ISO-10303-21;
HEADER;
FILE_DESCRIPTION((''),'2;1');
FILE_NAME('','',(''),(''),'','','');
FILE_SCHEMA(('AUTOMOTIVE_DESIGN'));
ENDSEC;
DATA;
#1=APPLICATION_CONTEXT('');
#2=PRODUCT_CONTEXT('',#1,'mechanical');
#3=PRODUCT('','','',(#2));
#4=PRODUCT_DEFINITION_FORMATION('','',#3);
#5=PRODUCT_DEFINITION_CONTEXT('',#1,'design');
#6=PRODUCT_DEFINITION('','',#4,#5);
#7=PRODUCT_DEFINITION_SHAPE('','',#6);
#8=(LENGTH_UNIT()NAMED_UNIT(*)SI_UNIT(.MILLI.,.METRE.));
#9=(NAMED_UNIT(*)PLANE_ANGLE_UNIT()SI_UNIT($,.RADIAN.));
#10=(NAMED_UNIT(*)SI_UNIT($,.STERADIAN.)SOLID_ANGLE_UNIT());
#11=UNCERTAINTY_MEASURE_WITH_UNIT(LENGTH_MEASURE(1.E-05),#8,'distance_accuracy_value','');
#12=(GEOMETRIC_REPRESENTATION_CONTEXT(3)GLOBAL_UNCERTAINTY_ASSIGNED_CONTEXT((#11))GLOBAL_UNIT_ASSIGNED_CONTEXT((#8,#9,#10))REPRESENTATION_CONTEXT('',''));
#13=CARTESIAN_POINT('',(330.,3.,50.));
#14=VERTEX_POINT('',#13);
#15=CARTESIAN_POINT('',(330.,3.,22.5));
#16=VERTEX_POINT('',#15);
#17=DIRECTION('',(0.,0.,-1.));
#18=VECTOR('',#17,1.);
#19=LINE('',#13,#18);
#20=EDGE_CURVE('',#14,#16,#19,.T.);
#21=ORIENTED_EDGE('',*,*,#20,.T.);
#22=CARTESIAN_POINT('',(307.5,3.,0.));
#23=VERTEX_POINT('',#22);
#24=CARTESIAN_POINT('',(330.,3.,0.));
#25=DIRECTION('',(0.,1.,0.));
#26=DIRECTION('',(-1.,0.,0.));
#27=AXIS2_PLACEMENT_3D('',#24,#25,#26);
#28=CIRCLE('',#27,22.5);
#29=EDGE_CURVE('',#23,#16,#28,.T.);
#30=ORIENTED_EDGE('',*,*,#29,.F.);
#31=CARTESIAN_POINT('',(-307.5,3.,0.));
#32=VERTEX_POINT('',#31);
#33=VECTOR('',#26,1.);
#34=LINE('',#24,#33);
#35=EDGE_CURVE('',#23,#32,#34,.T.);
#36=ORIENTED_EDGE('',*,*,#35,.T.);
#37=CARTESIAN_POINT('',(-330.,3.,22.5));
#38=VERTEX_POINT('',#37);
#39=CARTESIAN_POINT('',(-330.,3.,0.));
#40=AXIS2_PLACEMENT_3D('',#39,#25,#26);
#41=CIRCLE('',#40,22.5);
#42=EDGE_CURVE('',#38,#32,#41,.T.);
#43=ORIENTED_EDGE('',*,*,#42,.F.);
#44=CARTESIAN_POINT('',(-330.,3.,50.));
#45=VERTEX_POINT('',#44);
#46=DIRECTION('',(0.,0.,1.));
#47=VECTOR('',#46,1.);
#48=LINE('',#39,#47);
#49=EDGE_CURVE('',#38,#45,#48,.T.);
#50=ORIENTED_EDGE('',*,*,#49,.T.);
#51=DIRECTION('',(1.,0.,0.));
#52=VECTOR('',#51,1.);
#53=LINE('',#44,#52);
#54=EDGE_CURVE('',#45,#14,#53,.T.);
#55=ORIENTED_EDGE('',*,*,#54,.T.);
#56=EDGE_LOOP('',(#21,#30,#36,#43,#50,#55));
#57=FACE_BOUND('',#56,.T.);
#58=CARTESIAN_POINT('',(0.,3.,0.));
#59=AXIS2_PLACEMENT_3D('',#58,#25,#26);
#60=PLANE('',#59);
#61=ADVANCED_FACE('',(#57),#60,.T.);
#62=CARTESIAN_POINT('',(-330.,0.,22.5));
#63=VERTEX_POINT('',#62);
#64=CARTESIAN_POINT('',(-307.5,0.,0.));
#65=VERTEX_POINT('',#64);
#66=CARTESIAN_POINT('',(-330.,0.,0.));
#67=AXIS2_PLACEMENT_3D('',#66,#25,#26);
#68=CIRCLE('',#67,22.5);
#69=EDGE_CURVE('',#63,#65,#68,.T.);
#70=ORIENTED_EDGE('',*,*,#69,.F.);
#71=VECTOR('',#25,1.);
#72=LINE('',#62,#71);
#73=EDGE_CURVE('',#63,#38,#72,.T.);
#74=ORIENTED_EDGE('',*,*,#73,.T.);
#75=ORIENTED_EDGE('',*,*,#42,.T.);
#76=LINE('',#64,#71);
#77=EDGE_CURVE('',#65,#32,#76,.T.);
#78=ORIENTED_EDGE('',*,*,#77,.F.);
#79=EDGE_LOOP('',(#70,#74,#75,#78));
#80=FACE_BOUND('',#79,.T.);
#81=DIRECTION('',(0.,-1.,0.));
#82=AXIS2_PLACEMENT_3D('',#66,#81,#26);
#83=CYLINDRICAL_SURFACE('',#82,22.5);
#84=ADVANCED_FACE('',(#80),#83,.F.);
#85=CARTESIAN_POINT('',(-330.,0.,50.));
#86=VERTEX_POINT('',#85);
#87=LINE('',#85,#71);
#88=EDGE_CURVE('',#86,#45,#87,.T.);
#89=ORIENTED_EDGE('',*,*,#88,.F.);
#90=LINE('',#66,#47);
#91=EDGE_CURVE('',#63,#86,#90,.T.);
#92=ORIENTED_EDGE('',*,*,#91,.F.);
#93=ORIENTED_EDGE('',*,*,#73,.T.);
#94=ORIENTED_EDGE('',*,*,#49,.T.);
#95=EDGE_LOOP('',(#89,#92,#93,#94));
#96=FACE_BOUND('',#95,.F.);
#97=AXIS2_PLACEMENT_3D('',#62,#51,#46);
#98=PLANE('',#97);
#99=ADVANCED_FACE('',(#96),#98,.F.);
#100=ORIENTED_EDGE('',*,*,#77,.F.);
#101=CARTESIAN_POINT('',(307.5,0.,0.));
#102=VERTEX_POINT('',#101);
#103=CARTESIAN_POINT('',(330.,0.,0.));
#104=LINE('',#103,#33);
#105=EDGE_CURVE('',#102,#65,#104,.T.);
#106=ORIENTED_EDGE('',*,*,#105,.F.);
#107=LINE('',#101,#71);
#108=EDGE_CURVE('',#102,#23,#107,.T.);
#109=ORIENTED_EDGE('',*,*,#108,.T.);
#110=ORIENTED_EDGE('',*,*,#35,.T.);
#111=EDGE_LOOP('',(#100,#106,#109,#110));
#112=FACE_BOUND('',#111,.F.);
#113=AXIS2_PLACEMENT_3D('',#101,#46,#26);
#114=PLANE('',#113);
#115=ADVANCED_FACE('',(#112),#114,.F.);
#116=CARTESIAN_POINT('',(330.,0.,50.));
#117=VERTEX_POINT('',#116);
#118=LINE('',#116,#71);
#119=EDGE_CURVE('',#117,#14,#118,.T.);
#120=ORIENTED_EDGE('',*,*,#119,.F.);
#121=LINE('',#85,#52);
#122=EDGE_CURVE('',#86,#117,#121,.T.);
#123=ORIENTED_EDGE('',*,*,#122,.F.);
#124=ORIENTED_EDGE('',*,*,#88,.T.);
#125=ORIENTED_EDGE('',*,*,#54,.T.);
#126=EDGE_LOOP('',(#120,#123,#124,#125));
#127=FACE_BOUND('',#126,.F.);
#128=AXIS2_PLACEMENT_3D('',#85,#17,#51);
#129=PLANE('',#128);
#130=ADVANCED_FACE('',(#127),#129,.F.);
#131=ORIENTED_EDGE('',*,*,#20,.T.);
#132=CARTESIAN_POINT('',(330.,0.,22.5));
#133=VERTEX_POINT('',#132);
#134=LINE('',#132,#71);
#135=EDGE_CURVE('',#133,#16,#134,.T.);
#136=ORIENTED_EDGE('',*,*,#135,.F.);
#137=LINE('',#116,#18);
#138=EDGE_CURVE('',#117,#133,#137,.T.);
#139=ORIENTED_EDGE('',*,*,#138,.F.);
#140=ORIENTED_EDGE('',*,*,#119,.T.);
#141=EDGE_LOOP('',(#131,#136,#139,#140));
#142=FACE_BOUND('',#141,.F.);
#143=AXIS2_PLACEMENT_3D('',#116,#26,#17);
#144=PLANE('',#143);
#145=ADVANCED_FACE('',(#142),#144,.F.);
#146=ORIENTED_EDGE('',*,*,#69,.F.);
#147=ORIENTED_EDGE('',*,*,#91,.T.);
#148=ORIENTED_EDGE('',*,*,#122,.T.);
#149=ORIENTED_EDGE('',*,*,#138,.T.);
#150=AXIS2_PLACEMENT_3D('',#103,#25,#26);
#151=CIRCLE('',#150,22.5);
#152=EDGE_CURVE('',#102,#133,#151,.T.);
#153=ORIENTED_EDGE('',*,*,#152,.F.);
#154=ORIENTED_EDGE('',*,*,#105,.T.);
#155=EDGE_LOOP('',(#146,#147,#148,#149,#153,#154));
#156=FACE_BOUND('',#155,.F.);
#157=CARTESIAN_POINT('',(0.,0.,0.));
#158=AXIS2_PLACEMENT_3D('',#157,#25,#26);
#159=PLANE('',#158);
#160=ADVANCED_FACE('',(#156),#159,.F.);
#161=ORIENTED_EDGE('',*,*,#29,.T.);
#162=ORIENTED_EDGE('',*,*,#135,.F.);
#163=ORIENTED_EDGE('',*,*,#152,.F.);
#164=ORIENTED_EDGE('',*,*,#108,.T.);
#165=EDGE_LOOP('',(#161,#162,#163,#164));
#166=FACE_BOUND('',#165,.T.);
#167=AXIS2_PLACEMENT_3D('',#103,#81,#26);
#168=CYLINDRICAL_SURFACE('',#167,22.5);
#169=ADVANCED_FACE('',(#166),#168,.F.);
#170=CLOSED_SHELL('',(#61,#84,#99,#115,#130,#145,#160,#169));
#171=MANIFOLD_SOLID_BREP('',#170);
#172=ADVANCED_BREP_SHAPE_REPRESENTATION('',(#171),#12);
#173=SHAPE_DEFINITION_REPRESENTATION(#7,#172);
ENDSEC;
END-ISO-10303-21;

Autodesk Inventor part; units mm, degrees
ref_plane "YZ Plane" through (0, 0, 0) normal (1, 0, 0) x (0, 1, 0)
ref_plane "XZ Plane" through (0, 0, 0) normal (0, 1, 0) x (-1, 0, 0)
ref_plane "XY Plane" through (0, 0, 0) normal (0, 0, 1) x (1, 0, 0)
sketch "Sketch2" plane through (0, 0, 0) normal (0, 1, 0) x (-1, 0, 0)
  line L0 (330, 50) -> (-330, 50)
  line L1 (-330, 50) -> (-330, 0)
  line L2 (-330, 0) -> (330, 0)
  line L3 (330, 0) -> (330, 50)
  circle A0 centre (-330, 0) radius 22.5
  circle A1 centre (330, 0) radius 22.5
  point P0 (0, 0)
  point P1 (0, 0)
  point P2 (-330, 22.5)
  point P3 (-307.5, 0)
  point P4 (307.5, 0)
  point P5 (330, 22.5)
  dimension "d18" = 660
  dimension "d19" = 50
  dimension "d20" = 45
extrude "Plate2" add sketch "Sketch2" along normal blind 3 contours L3 A1 L2 A0 L1 L0
equation "\"d21\" = Thickness"
equation "\"BendReliefWidth\" = Thickness"
equation "\"BendReliefDepth\" = 0.5 * Thickness"
equation "\"CornerReliefSize\" = 4 * Thickness"
equation "\"MinimumRemnant\" = 2 * Thickness"
equation "\"TransitionRadius\" = BendRadius"
equation "\"JacobiRadiusSize\" = BendRadius"
equation "\"GapSize\" = Thickness"
equation "\"Thickness\" = 3"
equation "\"BendRadius\" = 5"
properties part number "MSC 0562 rib cone" material "Stainless Steel"
